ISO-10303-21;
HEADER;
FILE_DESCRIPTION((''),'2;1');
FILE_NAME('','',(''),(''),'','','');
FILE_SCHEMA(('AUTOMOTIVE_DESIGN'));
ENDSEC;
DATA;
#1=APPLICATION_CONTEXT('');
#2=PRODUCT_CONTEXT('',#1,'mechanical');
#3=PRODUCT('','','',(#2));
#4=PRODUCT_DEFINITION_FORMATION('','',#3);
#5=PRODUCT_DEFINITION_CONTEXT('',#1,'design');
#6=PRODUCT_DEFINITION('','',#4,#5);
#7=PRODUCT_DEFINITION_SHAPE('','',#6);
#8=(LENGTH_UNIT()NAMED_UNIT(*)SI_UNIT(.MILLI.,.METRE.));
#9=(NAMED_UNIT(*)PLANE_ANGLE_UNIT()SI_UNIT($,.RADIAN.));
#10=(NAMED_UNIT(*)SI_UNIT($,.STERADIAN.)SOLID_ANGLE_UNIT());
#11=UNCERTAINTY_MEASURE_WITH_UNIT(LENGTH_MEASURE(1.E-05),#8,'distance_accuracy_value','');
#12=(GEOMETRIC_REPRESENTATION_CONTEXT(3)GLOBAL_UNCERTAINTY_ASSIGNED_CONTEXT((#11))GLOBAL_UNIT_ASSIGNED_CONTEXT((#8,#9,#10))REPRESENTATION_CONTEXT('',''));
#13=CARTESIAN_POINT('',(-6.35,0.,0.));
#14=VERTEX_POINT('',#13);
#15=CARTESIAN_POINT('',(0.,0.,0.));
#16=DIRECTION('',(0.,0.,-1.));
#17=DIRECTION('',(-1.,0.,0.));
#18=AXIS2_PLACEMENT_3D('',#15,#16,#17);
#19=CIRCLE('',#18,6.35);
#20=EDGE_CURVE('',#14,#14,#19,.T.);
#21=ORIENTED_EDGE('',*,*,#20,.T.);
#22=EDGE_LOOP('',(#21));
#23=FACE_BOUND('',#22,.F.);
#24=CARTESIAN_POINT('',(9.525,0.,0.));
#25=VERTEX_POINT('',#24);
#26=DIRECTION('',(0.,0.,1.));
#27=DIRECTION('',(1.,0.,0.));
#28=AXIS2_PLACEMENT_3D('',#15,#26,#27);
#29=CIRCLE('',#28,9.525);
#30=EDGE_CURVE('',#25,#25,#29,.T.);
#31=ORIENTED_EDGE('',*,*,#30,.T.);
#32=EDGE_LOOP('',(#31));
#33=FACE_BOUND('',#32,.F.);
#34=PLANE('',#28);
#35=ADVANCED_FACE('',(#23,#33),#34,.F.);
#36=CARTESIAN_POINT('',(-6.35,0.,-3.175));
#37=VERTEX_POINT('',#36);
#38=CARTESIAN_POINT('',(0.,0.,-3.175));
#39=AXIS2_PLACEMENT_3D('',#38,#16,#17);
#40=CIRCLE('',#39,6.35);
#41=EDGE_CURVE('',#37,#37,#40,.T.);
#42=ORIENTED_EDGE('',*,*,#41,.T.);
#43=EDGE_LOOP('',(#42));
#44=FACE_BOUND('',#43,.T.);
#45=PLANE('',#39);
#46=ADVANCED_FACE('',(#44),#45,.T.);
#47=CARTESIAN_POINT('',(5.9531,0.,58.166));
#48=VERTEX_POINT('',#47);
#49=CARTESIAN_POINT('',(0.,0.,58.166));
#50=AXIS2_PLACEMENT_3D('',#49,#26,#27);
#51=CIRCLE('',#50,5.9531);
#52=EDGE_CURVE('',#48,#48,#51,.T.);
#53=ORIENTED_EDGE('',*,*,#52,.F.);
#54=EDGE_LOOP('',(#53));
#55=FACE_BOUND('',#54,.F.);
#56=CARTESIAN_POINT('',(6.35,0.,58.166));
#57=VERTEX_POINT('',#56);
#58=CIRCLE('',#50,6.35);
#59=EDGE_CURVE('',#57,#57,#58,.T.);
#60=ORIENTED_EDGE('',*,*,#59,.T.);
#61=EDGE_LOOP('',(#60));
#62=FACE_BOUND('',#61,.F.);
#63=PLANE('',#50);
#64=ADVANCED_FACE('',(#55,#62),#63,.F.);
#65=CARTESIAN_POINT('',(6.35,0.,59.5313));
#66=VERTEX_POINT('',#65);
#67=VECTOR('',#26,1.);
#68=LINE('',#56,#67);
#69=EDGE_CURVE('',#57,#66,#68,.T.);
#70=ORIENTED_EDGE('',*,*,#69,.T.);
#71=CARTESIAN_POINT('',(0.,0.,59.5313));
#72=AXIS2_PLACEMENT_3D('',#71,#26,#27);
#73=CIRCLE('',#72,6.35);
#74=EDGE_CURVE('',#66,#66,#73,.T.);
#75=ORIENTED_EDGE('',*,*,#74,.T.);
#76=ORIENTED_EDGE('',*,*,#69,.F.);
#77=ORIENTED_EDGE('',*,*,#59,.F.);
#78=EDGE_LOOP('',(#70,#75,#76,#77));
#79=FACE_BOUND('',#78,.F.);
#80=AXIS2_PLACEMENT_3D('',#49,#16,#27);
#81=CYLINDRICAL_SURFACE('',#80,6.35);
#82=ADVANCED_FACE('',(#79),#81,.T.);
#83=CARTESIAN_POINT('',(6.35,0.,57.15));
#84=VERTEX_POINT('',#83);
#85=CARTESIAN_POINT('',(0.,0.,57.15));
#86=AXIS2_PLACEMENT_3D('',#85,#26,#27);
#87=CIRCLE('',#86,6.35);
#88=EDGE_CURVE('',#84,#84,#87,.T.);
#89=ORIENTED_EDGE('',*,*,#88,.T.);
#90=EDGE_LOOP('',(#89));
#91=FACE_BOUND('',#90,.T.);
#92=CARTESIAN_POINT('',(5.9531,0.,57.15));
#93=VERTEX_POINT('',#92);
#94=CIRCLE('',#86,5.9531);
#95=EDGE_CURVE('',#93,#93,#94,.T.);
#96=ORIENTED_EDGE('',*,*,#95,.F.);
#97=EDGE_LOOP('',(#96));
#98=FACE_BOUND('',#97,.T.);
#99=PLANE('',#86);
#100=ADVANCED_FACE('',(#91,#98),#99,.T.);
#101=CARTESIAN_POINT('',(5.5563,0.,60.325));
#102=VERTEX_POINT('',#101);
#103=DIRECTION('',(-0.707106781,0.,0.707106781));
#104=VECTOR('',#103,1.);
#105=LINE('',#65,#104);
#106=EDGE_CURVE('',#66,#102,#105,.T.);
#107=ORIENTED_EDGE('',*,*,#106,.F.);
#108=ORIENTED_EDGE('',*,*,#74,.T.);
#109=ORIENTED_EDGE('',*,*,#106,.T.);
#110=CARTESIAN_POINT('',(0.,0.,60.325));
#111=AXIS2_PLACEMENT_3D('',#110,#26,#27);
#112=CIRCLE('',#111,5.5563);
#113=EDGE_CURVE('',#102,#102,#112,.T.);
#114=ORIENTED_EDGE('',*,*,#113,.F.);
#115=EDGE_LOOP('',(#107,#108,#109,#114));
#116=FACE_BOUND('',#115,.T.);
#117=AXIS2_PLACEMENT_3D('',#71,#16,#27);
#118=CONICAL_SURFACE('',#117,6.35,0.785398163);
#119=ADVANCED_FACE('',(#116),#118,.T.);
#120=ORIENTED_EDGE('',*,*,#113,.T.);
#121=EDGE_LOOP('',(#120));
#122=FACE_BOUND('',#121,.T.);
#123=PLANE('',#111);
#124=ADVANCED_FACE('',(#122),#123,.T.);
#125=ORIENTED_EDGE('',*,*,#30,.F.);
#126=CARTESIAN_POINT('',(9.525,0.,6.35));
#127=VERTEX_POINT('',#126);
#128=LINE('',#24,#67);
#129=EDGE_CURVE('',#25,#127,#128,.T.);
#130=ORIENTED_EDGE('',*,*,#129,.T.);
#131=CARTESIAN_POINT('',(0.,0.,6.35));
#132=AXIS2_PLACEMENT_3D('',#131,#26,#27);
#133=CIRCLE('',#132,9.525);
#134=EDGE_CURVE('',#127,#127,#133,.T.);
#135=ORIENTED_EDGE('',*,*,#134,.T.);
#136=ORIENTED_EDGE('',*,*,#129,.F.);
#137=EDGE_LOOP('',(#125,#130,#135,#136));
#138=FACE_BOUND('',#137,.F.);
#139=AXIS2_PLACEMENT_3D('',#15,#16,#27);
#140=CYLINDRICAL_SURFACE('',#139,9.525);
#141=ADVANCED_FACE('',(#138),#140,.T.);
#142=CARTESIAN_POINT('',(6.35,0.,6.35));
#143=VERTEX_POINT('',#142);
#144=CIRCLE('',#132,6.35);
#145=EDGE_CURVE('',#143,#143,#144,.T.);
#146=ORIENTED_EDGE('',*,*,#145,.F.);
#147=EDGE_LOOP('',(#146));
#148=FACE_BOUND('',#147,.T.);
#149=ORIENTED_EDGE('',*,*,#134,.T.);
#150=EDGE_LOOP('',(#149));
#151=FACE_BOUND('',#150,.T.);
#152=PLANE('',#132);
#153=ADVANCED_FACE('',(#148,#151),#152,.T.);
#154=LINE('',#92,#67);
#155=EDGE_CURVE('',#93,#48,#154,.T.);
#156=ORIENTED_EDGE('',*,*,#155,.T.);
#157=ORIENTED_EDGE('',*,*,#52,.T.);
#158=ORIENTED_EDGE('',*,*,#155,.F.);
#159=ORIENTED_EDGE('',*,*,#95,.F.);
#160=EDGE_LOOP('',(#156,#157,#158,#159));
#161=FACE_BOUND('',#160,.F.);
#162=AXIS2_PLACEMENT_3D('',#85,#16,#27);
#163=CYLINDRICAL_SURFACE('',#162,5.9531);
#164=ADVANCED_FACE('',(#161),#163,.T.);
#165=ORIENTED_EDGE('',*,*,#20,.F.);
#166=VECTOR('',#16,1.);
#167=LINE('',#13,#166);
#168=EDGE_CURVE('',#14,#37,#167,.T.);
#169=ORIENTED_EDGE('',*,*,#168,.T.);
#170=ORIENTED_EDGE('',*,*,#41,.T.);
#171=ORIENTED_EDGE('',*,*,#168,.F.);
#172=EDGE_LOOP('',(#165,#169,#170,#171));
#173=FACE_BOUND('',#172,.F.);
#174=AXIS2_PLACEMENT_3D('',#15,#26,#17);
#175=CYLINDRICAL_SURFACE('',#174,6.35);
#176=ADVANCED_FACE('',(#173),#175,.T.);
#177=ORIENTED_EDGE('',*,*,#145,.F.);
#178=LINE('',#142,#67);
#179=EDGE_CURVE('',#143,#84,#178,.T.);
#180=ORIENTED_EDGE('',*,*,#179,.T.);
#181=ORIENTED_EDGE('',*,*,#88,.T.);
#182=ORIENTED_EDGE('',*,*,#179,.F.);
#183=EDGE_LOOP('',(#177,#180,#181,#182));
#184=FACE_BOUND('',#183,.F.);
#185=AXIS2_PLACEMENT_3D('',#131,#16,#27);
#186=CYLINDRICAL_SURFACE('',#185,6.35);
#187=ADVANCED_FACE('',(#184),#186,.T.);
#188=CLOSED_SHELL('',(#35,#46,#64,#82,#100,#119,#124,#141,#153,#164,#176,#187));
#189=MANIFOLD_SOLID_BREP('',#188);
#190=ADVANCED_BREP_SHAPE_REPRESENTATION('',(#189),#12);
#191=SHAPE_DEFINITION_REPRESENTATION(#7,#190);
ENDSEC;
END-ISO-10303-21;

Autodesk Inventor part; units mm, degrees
ref_plane "YZ Plane" through (0, 0, 0) normal (1, 0, 0) x (0, 1, 0)
ref_plane "XZ Plane" through (0, 0, 0) normal (0, 1, 0) x (-1, 0, 0)
ref_plane "XY Plane" through (0, 0, 0) normal (0, 0, 1) x (1, 0, 0)
sketch "Sketch1" plane through (0, 0, 0) normal (0, 0, 1) x (1, 0, 0)
  circle A0 centre (0, 0) radius 9.525
  dimension "d0" = 19.05
extrude "Extrusion1" add sketch "Sketch1" along normal blind 6.35
sketch "Sketch2" plane through (0, 0, 6.35) normal (0, 0, 1) x (1, 0, 0)
  circle A0 centre (0, 0) radius 6.35
  dimension "d3" = 12.7
extrude "Extrusion2" add sketch "Sketch2" along normal blind 50.8
sketch "Sketch3" plane through (0, 0, 57.15) normal (0, 0, 1) x (1, 0, 0)
  circle A0 centre (0, 0) radius 5.9531
  dimension "d6" = 11.9062
extrude "Extrusion3" add sketch "Sketch3" along normal blind 1.016
sketch "Sketch4" plane through (0, 0, 58.166) normal (0, 0, 1) x (1, 0, 0)
  circle A0 centre (0, 0) radius 6.35 projected
extrude "Extrusion4" add sketch "Sketch4" along normal blind 2.159
chamfer "Chamfer1" distance 0.7937 angle 45 1 edges at (-6.35, 0, 60.325)
sketch "Sketch5" plane through (0, 0, 0) normal (0, 0, -1) x (-1, 0, 0)
  circle A0 centre (0, 0) radius 6.35
  dimension "d14" = 12.7
extrude "Extrusion5" add sketch "Sketch5" along normal blind 3.175
properties part number "A1-18002-100-38 Leg hinge pin" material "Steel, Mild"
